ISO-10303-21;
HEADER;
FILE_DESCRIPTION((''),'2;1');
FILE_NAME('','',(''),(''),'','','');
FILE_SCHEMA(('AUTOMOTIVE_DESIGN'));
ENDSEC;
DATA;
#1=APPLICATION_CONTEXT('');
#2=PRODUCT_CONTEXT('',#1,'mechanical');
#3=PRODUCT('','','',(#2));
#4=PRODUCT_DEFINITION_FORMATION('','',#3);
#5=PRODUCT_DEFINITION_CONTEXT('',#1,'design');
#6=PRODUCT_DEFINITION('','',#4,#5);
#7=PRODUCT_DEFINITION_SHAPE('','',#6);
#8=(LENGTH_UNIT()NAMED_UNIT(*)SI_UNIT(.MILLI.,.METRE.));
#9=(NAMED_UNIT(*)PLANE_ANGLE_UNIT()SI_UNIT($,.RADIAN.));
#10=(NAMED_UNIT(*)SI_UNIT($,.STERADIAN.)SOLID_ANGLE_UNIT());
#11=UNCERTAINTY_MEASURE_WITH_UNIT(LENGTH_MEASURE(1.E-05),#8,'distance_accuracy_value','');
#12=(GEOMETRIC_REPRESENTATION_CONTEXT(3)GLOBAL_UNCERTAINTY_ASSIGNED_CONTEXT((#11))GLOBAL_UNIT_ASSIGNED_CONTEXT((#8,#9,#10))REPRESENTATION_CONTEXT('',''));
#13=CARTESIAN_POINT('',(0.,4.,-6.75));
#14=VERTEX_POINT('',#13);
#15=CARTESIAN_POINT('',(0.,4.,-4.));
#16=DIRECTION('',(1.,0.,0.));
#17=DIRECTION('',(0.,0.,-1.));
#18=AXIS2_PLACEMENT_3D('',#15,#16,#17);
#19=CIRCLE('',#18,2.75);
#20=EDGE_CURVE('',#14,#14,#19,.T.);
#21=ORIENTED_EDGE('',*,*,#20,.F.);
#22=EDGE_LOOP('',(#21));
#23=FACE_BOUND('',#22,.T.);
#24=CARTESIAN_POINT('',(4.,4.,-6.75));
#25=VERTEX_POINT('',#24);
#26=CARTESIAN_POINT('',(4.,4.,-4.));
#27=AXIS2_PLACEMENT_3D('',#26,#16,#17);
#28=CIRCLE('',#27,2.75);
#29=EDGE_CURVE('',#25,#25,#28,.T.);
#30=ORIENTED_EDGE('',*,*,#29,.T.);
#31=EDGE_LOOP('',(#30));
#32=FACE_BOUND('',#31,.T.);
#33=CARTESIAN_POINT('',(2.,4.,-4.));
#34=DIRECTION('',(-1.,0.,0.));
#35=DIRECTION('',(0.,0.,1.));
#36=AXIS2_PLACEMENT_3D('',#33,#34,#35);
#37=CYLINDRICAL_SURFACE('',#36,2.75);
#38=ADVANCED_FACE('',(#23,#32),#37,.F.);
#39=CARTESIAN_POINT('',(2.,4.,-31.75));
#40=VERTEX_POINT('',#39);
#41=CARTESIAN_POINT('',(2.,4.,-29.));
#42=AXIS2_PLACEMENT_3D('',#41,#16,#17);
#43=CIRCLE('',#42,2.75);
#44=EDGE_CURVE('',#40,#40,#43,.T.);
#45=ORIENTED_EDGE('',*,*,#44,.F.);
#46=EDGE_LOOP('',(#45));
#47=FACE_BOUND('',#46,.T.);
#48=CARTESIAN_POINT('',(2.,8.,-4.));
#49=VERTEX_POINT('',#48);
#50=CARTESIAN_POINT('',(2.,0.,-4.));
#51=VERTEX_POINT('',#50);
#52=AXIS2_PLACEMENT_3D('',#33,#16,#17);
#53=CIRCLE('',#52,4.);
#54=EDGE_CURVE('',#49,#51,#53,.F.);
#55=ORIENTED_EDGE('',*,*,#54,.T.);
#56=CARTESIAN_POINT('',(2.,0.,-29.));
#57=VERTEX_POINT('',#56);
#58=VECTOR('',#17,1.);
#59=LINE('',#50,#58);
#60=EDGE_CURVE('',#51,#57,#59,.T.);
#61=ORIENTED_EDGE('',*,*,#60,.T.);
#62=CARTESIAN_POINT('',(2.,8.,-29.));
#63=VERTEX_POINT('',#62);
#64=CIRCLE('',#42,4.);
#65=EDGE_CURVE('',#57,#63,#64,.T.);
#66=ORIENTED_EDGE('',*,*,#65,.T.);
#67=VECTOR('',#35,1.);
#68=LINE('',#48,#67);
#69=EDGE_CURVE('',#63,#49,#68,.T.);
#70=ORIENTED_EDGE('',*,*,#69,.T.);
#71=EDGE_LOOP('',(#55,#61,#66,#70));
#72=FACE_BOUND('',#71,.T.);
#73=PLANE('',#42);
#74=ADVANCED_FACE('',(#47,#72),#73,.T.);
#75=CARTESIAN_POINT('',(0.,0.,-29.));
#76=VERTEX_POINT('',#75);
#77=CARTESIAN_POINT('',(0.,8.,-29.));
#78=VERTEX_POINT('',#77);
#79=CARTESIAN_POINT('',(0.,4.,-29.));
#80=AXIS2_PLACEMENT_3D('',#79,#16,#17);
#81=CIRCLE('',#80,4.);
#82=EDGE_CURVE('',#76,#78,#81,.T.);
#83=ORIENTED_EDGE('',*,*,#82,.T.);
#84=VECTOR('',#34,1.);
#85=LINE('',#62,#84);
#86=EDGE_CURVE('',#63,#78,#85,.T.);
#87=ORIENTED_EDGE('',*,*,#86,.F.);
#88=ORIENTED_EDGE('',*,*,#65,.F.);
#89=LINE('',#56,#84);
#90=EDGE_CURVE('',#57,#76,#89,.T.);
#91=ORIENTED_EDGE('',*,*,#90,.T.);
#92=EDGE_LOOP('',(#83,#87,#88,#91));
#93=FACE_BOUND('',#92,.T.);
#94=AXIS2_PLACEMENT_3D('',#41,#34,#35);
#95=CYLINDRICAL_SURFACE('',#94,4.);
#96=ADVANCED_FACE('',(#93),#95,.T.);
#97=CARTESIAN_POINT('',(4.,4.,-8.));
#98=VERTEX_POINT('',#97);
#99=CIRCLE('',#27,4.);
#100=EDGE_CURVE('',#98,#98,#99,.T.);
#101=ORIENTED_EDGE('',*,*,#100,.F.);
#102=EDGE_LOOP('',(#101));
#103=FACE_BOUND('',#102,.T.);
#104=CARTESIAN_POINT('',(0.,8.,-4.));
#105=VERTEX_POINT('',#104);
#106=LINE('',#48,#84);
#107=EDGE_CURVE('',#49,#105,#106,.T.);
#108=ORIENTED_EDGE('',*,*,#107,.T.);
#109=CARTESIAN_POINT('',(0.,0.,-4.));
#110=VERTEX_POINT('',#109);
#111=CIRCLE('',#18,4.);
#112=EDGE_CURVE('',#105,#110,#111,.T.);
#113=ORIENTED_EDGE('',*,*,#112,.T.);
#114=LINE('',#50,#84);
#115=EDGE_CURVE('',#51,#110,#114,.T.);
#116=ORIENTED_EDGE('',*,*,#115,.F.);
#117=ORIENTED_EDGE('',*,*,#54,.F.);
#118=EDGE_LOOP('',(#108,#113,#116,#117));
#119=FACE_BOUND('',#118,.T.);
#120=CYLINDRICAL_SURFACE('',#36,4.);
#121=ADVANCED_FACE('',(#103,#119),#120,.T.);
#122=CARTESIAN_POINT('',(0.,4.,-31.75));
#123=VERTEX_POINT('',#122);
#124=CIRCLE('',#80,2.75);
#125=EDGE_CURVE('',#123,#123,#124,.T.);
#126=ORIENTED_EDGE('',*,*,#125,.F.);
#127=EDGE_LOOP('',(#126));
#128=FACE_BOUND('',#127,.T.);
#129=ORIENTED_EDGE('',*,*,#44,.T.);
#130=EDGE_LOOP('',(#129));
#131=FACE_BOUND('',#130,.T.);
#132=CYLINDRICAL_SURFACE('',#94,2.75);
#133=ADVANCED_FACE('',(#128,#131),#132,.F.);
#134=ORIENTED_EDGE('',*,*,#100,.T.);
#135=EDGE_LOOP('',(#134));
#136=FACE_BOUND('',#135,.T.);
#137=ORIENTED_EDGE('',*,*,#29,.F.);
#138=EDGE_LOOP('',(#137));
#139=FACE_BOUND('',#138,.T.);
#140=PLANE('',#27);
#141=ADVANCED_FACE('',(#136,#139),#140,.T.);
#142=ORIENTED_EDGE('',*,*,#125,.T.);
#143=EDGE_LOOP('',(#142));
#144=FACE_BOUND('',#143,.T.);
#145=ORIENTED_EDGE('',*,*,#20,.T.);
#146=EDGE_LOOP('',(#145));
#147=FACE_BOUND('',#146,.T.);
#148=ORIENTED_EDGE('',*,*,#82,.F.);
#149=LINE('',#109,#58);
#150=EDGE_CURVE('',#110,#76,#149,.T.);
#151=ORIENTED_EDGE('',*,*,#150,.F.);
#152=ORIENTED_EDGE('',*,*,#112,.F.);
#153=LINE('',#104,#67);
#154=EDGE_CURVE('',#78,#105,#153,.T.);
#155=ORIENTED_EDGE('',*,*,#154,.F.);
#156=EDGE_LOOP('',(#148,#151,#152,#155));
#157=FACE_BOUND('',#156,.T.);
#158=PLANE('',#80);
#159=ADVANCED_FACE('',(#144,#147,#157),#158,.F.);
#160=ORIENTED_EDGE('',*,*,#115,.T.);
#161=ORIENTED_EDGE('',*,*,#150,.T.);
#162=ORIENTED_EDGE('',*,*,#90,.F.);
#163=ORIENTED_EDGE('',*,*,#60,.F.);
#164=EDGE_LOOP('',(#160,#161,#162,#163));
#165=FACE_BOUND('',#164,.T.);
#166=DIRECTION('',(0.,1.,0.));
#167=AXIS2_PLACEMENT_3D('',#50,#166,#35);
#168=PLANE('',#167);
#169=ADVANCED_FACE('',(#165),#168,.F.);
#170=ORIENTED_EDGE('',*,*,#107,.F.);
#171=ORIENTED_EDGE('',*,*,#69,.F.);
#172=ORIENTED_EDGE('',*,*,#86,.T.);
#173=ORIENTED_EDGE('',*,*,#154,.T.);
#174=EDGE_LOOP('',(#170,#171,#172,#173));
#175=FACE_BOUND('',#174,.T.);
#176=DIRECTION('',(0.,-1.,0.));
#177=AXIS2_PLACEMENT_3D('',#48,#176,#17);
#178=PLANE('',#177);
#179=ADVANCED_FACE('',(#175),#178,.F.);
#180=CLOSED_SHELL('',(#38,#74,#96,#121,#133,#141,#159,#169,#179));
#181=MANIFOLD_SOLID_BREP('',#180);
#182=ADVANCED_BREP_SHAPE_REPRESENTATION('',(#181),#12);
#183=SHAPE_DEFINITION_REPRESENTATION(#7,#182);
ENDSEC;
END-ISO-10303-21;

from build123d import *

# Parameters (mm, degrees)
SKETCH1_R           = 2.75
BOSS_EXTRUDE1_DEPTH = 2
SKETCH2_R           = 4
SKETCH2_R_2         = 2.75
BOSS_EXTRUDE2_DEPTH = 4


with BuildPart() as part:
    # Sketch1 → Boss-Extrude1 (new body)
    with BuildSketch(Plane(origin=(0, 0, 0), x_dir=(0, 0, -1), z_dir=(1, 0, 0))):
        with BuildLine():
            Line((4, 0), (29, 0))
            ThreePointArc((29, 0), (33, 4), (29, 8))
            Line((29, 8), (4, 8))
            ThreePointArc((4, 8), (0, 4), (4, 0))
        make_face()
        with Locations((4, 4)):
            Circle(SKETCH1_R, mode=Mode.SUBTRACT)
        with Locations((29, 4)):
            Circle(SKETCH1_R, mode=Mode.SUBTRACT)
    extrude(amount=BOSS_EXTRUDE1_DEPTH)

    # Sketch2 → Boss-Extrude2 (add)
    with BuildSketch(Plane(origin=(0, 0, 0), x_dir=(0, 0, -1), z_dir=(1, 0, 0))):
        with Locations(Location((4, 4, 0), (0, 0, 270))):
            Circle(SKETCH2_R)
        with Locations((4, 4)):
            Circle(SKETCH2_R_2, mode=Mode.SUBTRACT)
    extrude(amount=BOSS_EXTRUDE2_DEPTH)


solid = part.part
